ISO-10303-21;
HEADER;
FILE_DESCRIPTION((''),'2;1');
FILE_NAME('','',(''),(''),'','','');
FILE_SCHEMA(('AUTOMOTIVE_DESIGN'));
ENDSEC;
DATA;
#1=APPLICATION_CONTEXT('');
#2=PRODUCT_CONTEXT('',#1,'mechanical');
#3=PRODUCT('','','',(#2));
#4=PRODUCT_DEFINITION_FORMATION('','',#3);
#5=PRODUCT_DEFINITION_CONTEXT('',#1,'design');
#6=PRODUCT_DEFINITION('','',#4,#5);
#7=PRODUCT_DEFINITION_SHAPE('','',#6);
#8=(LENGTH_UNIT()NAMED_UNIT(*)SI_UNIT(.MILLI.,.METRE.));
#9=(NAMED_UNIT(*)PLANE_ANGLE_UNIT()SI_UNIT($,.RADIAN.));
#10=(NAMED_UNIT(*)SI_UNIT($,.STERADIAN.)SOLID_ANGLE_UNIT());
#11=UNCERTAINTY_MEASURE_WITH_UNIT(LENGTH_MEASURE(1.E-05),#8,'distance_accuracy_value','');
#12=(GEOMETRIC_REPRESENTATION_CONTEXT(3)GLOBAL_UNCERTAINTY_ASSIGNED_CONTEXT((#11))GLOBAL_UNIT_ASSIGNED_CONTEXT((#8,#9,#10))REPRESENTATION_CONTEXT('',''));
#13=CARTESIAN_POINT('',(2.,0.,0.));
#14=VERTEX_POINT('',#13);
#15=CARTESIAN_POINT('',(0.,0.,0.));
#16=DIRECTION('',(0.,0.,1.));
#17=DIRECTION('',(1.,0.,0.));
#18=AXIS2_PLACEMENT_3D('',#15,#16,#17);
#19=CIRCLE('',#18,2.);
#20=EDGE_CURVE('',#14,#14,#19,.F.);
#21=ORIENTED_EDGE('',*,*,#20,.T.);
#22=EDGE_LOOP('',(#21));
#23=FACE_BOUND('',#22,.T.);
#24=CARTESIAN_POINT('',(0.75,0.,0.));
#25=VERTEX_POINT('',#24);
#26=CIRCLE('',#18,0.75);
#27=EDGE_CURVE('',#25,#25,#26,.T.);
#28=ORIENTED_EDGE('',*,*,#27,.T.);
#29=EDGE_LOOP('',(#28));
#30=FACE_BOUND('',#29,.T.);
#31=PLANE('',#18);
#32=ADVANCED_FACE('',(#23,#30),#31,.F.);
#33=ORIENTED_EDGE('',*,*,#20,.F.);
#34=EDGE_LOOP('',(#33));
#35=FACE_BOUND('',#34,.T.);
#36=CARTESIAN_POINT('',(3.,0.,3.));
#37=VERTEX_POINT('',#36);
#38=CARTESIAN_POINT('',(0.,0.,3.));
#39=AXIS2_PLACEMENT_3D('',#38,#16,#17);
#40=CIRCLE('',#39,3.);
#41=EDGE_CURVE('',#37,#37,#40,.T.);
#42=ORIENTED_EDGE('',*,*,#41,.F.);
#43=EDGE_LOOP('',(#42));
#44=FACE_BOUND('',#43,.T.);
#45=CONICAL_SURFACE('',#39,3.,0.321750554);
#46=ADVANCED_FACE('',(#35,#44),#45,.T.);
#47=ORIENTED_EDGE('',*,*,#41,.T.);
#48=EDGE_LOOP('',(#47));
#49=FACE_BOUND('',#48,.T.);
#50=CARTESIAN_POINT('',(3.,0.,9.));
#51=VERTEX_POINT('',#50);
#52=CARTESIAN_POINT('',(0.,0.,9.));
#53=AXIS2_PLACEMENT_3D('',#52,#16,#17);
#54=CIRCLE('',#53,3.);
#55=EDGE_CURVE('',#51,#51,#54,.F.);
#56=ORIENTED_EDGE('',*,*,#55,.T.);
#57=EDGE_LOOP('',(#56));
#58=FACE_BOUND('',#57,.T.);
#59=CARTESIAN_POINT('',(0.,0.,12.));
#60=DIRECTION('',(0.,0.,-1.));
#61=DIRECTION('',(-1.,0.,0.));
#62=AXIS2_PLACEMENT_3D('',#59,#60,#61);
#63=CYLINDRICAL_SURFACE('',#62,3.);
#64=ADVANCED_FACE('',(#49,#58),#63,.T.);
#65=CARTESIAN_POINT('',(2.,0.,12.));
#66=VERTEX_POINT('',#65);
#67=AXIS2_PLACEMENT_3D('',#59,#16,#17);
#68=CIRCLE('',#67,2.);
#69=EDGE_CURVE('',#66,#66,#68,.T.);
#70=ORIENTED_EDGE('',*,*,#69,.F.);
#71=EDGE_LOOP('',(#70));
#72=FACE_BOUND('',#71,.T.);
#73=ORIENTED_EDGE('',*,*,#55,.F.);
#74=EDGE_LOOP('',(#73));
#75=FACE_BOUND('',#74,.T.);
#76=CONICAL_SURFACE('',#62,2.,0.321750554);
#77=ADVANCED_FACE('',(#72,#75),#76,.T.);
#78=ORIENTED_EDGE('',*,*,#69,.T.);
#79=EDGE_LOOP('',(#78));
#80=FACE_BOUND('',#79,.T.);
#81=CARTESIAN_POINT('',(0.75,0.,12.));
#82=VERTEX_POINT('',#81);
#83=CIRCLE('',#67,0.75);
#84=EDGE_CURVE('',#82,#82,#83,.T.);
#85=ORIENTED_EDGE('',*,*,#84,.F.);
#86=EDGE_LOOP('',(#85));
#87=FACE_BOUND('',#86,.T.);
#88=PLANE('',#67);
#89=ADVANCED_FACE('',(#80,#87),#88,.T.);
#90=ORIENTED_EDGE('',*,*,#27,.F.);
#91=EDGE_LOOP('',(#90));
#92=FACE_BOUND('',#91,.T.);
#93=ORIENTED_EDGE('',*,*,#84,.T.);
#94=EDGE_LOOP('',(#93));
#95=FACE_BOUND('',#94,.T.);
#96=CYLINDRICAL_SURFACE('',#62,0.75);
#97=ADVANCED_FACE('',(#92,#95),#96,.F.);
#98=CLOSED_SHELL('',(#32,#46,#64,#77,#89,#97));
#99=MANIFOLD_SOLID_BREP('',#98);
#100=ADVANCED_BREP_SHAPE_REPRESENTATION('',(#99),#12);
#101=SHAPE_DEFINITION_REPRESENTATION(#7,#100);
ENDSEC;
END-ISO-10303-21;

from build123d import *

# Parameters (mm, degrees)
ESQUISSE1_R        = 3
ESQUISSE1_R_2      = 0.75
BOSS_EXTRU_1_DEPTH = 12
CHANFREIN1_SIZE    = 3
CHANFREIN1_SIZE2   = 1
CHANFREIN2_SIZE    = 1
CHANFREIN2_SIZE2   = 3


with BuildPart() as part:
    # Esquisse1 → Boss.-Extru.1 (new body)
    with BuildSketch(Plane.XY):
        Circle(ESQUISSE1_R)
        Circle(ESQUISSE1_R_2, mode=Mode.SUBTRACT)
    extrude(amount=BOSS_EXTRU_1_DEPTH)

    # Chanfrein1
    chanfrein1_edges = [part.edges().sort_by_distance(p)[0] for p in [
        (-3, 0, 12),
    ]]
    chanfrein1_side = [part.faces().sort_by_distance(p)[0] for p in [
        (-3, 0, 6),
    ]]
    chamfer(chanfrein1_edges, length=CHANFREIN1_SIZE, length2=CHANFREIN1_SIZE2, reference=chanfrein1_side[0])

    # Chanfrein2
    chanfrein2_edges = [part.edges().sort_by_distance(p)[0] for p in [
        (-3, 0, 0),
    ]]
    chanfrein2_side = [part.faces().sort_by_distance(p)[0] for p in [
        (-2.915147186, 0, 0),
    ]]
    chamfer(chanfrein2_edges, length=CHANFREIN2_SIZE, length2=CHANFREIN2_SIZE2, reference=chanfrein2_side[0])


solid = part.part
